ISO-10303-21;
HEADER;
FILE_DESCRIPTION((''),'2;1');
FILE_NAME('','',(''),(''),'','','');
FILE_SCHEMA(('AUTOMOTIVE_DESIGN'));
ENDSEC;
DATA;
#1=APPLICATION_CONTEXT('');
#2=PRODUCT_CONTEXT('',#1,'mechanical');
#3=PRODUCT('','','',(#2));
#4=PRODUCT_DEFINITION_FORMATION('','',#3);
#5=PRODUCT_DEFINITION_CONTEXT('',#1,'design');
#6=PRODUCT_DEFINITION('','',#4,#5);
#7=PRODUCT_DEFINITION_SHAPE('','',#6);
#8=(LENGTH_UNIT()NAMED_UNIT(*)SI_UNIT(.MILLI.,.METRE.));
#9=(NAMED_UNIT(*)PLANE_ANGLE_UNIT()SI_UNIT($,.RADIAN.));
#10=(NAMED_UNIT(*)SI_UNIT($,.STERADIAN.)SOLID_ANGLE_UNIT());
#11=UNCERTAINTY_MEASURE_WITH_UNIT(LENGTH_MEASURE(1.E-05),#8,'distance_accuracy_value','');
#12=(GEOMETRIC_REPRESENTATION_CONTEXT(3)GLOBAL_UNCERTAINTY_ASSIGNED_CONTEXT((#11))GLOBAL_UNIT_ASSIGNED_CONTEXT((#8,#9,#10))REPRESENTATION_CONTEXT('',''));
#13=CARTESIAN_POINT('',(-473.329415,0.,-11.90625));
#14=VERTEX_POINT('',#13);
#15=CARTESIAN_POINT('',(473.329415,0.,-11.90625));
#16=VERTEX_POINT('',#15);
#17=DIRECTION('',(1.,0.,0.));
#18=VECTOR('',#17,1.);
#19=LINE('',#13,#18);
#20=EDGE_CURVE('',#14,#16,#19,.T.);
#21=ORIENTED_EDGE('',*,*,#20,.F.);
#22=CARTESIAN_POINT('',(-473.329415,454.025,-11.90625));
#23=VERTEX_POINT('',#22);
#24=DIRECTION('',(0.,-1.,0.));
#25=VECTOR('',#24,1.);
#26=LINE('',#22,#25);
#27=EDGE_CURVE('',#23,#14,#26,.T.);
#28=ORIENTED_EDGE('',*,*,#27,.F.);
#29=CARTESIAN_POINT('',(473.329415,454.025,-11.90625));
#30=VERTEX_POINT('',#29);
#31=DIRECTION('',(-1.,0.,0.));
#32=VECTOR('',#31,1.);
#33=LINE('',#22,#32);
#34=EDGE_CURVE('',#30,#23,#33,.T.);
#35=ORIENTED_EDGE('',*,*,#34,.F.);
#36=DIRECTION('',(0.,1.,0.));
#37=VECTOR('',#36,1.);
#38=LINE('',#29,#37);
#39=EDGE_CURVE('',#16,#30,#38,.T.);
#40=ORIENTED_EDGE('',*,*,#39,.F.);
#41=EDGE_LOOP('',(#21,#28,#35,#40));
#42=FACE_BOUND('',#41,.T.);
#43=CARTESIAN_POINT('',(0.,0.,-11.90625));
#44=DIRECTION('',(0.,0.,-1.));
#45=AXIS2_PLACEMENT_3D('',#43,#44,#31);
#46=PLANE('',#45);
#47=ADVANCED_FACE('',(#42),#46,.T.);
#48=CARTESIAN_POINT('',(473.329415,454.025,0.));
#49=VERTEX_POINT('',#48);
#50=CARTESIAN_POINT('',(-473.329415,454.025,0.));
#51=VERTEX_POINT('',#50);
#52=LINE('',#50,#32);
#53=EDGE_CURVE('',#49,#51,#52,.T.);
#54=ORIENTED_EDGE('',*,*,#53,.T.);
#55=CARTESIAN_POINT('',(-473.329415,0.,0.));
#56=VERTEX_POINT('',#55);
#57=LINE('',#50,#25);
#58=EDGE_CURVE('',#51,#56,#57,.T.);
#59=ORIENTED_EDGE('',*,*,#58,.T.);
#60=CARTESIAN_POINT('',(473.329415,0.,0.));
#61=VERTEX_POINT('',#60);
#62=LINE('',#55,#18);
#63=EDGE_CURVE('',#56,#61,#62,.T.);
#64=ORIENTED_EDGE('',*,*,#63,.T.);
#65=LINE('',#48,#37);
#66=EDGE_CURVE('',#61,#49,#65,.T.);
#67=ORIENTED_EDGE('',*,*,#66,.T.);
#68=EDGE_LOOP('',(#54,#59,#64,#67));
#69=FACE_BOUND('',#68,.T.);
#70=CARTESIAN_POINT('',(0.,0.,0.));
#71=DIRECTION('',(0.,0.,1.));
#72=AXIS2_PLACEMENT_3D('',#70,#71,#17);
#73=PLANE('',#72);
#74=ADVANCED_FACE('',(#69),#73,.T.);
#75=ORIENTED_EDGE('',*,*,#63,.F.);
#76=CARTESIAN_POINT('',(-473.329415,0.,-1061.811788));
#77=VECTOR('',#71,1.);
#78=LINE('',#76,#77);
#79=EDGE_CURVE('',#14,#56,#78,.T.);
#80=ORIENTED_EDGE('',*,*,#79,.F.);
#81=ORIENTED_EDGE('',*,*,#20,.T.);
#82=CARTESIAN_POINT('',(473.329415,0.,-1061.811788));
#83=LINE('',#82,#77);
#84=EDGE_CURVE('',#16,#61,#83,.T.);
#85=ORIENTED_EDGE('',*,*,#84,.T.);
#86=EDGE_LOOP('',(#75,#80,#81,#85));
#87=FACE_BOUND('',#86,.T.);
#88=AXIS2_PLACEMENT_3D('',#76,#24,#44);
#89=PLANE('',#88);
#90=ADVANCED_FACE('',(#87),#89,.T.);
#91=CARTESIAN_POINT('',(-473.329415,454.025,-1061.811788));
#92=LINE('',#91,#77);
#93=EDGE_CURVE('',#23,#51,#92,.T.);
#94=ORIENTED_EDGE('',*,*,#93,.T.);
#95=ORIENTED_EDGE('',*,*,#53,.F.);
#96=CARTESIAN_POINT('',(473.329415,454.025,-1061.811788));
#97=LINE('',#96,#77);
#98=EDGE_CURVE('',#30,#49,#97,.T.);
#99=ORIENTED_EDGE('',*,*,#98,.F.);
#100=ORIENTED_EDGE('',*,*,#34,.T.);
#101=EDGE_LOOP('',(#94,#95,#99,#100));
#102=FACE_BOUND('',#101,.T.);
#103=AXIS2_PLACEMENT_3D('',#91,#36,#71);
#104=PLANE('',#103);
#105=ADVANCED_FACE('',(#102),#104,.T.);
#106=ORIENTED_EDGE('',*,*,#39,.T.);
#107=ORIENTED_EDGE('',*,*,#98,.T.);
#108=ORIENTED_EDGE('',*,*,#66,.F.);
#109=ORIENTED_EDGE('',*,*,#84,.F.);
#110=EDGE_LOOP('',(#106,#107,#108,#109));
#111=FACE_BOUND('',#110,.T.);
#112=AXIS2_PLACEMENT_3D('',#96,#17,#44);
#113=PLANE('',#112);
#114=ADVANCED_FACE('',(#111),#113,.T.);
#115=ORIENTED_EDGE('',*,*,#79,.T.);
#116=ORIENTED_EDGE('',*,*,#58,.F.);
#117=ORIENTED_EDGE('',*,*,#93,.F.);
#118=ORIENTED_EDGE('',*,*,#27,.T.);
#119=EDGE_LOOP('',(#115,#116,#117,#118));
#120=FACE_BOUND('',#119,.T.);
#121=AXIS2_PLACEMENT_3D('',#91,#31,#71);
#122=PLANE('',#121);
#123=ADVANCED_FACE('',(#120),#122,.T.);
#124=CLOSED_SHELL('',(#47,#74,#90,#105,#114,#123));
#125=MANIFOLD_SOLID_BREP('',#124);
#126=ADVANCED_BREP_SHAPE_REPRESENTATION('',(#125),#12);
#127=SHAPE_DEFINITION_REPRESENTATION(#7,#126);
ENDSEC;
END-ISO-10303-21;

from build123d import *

# Parameters (mm, degrees)
SKETCH1_W           = 946.658829024
SKETCH1_H           = 454.025
BOSS_EXTRUDE1_DEPTH = 11.90625


with BuildPart() as part:
    # Sketch1 → Boss-Extrude1 (new body)
    with BuildSketch(Plane.XY):
        with Locations((0, 227.0125)):
            Rectangle(SKETCH1_W, SKETCH1_H)
    extrude(amount=-BOSS_EXTRUDE1_DEPTH)


solid = part.part
